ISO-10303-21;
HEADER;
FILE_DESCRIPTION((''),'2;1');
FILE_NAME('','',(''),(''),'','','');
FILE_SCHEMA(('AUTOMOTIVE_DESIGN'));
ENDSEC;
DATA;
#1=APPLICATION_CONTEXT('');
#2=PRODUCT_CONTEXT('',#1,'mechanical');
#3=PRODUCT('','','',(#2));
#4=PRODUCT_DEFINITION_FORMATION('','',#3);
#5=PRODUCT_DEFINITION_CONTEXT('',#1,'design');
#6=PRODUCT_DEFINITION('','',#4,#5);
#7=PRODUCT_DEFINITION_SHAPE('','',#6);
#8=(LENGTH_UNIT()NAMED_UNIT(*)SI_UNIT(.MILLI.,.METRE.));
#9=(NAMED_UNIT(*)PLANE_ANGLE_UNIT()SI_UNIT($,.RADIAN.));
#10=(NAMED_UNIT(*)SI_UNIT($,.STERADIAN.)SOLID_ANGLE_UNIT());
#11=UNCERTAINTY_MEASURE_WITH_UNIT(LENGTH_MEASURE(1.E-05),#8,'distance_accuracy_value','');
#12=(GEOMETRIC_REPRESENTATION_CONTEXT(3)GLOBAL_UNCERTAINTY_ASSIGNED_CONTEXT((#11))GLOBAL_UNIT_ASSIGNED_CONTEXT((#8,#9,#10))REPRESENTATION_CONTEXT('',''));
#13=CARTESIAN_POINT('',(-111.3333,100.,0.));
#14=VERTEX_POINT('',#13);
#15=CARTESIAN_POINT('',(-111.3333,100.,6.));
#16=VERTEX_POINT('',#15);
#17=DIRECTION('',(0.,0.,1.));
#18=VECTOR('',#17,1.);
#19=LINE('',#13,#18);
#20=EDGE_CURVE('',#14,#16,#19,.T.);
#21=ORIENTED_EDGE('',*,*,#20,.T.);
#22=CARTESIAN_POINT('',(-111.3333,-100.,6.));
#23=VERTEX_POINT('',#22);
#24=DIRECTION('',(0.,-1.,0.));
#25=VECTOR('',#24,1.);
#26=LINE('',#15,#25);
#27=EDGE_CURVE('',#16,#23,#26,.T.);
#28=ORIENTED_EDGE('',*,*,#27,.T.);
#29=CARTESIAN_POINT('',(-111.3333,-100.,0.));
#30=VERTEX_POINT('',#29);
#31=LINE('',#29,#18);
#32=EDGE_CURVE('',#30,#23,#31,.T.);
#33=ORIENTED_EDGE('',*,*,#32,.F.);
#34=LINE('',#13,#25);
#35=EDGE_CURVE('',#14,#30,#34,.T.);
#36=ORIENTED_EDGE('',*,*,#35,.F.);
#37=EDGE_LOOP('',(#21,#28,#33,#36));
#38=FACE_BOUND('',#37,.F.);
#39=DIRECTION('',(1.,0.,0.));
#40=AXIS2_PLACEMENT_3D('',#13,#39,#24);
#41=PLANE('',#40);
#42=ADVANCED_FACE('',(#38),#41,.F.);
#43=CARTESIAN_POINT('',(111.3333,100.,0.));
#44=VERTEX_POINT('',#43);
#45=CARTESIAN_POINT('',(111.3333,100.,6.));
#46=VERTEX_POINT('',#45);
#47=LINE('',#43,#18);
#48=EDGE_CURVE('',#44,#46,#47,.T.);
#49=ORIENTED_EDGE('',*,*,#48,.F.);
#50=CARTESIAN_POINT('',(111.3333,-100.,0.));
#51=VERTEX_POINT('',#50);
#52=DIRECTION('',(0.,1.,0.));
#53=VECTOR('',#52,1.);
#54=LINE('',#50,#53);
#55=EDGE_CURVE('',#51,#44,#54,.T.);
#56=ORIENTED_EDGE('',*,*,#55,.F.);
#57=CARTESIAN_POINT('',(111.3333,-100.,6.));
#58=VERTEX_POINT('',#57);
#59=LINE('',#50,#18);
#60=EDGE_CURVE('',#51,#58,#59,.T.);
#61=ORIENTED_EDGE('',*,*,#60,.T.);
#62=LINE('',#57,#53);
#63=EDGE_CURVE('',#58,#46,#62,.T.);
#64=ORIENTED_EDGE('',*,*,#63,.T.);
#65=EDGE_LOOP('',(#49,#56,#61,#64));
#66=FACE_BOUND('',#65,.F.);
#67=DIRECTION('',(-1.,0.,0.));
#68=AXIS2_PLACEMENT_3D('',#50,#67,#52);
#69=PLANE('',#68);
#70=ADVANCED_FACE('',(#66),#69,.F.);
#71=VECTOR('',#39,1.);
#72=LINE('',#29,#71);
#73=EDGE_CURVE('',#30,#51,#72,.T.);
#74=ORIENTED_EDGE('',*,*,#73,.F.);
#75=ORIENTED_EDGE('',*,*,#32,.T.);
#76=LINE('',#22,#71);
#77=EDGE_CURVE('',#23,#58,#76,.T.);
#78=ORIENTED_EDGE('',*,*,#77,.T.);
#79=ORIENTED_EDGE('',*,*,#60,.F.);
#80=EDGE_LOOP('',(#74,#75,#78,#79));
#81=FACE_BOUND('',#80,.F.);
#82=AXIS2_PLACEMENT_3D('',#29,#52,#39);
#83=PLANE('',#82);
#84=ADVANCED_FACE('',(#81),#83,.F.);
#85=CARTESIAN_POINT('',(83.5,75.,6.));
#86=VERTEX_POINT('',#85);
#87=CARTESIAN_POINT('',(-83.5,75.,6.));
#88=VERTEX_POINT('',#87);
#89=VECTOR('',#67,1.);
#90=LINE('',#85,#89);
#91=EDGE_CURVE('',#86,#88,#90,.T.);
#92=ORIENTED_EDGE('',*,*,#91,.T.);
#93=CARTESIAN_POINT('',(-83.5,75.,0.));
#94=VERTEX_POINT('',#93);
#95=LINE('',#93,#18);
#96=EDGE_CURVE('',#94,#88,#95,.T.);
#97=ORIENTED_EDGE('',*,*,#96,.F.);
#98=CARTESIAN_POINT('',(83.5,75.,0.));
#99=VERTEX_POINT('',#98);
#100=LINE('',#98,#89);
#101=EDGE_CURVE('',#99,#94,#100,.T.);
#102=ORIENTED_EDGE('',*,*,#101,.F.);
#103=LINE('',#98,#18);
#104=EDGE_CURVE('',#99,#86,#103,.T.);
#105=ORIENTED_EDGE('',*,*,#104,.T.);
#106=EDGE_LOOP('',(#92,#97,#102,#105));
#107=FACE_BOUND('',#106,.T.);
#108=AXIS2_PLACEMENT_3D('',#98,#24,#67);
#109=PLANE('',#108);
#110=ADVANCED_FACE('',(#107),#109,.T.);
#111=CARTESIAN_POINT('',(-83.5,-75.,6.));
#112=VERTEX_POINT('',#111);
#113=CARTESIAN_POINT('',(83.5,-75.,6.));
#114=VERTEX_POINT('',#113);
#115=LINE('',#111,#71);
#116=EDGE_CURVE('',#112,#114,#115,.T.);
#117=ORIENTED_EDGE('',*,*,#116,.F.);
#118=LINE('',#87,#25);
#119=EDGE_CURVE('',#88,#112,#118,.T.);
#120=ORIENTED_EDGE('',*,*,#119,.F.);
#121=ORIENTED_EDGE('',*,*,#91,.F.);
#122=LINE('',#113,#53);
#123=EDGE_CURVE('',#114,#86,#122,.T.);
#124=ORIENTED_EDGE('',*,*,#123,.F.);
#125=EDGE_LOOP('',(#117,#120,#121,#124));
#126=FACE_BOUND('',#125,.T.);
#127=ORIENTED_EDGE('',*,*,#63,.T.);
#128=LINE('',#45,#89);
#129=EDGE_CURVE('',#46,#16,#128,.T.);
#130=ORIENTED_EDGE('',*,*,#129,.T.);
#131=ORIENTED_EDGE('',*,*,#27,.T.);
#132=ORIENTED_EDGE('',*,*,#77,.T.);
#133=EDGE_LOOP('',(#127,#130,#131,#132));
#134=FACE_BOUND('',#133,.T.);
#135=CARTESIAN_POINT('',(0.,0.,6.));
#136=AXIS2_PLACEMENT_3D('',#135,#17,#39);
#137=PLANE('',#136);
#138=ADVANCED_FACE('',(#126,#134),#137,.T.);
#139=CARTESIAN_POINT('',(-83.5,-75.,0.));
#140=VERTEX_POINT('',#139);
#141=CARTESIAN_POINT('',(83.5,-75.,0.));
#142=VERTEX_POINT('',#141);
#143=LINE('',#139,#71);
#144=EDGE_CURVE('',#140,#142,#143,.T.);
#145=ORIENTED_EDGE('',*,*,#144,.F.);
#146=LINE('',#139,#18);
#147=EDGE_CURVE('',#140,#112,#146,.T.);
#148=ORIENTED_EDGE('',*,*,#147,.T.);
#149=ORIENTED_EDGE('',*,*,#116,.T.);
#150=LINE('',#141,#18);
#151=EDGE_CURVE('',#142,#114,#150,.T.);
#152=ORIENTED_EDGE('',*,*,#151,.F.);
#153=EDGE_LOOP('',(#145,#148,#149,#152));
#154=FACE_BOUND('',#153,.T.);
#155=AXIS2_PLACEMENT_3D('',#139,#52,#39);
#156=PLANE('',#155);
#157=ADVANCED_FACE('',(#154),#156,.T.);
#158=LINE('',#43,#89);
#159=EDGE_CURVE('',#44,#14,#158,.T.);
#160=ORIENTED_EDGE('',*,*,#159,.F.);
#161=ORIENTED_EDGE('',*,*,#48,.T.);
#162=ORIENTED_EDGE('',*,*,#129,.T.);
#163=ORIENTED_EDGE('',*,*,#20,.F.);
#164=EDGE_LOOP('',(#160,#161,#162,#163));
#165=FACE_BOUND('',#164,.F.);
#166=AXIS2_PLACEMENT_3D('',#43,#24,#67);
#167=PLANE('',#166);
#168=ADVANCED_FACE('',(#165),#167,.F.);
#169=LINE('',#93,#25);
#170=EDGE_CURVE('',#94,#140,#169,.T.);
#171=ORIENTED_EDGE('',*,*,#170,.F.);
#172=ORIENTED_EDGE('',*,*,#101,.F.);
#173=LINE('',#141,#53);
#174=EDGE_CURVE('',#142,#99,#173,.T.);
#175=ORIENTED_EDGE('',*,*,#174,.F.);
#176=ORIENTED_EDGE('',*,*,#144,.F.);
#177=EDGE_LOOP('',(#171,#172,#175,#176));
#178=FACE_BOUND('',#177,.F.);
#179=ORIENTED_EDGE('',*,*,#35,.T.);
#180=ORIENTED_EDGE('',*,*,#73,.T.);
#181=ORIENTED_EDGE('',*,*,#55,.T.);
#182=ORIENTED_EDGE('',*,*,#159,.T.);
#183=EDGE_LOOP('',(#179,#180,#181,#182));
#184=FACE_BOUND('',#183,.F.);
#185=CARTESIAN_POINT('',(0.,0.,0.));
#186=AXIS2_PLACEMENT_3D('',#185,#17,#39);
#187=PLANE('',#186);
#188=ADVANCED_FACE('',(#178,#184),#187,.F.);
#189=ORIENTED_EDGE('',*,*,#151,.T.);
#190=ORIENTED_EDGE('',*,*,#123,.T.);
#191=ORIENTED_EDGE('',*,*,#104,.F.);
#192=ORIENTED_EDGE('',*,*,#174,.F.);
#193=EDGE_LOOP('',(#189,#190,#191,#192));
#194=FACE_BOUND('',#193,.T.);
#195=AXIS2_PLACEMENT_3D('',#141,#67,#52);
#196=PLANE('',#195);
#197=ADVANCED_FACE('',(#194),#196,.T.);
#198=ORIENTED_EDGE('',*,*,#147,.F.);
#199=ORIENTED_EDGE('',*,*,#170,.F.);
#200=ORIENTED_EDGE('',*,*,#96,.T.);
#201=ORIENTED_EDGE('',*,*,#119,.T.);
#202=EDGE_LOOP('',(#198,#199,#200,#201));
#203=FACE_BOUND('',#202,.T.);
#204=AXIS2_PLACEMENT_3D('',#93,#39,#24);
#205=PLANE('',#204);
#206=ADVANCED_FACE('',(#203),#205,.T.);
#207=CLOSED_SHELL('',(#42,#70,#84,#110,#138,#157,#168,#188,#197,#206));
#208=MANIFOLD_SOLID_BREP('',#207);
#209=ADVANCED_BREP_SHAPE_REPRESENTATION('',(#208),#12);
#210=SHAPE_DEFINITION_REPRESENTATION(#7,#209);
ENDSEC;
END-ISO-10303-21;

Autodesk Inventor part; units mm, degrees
ref_plane "YZ Plane" through (0, 0, 0) normal (1, 0, 0) x (0, 1, 0)
ref_plane "XZ Plane" through (0, 0, 0) normal (0, 1, 0) x (-1, 0, 0)
ref_plane "XY Plane" through (0, 0, 0) normal (0, 0, 1) x (1, 0, 0)
sketch "Sketch1" plane through (0, 0, 0) normal (0, 0, 1) x (1, 0, 0)
  line L0 (-83.5, -75) -> (83.5, -75)
  line L1 (83.5, -75) -> (83.5, 75)
  line L2 (83.5, 75) -> (-83.5, 75)
  line L3 (-83.5, 75) -> (-83.5, -75)
  line L4 (-83.5, -75) -> (83.5, 75) construction
  line L5 (83.5, -75) -> (-83.5, 75) construction
  line L6 (-111.3333, -100) -> (111.3333, -100)
  line L7 (111.3333, -100) -> (111.3333, 100)
  line L8 (111.3333, 100) -> (-111.3333, 100)
  line L9 (-111.3333, 100) -> (-111.3333, -100)
  line L10 (-111.3333, -100) -> (111.3333, 100) construction
  line L11 (111.3333, -100) -> (-111.3333, 100) construction
  point P0 (0, 0)
  dimension "d0" = 167
  dimension "d1" = 150
  dimension "d2" = 200
extrude "Extrusion1" add sketch "Sketch1" along normal blind 6
sketch "Sketch2" plane through (0, 0, 6) normal (0, 0, 1) x (1, 0, 0)
  line L0 (-97.7815, 91.4101) -> (-75.2386, 91.4101) construction
  line L1 (-75.2386, 91.4101) -> (-75.2386, 85.3601) construction
  line L2 (-75.2386, 85.3601) -> (-97.7815, 85.3601) construction
  line L3 (-97.7815, 85.3601) -> (-97.7815, 91.4101) construction
  line L4 (111.3333, -100) -> (111.3333, 100) projected
  line L5 (111.3333, 100) -> (-111.3333, 100) projected
  line L6 (-111.3333, 100) -> (-111.3333, -100) projected
  line L7 (-111.3333, -100) -> (111.3333, -100) projected
  line L8 (-83.5, -75) -> (-83.5, 75) projected
  line L9 (-83.5, 75) -> (83.5, 75) projected
  line L10 (83.5, 75) -> (83.5, -75) projected
  line L11 (83.5, -75) -> (-83.5, -75) projected
  point P0 (0, 0)
properties part number "EngravingJigBottom"
